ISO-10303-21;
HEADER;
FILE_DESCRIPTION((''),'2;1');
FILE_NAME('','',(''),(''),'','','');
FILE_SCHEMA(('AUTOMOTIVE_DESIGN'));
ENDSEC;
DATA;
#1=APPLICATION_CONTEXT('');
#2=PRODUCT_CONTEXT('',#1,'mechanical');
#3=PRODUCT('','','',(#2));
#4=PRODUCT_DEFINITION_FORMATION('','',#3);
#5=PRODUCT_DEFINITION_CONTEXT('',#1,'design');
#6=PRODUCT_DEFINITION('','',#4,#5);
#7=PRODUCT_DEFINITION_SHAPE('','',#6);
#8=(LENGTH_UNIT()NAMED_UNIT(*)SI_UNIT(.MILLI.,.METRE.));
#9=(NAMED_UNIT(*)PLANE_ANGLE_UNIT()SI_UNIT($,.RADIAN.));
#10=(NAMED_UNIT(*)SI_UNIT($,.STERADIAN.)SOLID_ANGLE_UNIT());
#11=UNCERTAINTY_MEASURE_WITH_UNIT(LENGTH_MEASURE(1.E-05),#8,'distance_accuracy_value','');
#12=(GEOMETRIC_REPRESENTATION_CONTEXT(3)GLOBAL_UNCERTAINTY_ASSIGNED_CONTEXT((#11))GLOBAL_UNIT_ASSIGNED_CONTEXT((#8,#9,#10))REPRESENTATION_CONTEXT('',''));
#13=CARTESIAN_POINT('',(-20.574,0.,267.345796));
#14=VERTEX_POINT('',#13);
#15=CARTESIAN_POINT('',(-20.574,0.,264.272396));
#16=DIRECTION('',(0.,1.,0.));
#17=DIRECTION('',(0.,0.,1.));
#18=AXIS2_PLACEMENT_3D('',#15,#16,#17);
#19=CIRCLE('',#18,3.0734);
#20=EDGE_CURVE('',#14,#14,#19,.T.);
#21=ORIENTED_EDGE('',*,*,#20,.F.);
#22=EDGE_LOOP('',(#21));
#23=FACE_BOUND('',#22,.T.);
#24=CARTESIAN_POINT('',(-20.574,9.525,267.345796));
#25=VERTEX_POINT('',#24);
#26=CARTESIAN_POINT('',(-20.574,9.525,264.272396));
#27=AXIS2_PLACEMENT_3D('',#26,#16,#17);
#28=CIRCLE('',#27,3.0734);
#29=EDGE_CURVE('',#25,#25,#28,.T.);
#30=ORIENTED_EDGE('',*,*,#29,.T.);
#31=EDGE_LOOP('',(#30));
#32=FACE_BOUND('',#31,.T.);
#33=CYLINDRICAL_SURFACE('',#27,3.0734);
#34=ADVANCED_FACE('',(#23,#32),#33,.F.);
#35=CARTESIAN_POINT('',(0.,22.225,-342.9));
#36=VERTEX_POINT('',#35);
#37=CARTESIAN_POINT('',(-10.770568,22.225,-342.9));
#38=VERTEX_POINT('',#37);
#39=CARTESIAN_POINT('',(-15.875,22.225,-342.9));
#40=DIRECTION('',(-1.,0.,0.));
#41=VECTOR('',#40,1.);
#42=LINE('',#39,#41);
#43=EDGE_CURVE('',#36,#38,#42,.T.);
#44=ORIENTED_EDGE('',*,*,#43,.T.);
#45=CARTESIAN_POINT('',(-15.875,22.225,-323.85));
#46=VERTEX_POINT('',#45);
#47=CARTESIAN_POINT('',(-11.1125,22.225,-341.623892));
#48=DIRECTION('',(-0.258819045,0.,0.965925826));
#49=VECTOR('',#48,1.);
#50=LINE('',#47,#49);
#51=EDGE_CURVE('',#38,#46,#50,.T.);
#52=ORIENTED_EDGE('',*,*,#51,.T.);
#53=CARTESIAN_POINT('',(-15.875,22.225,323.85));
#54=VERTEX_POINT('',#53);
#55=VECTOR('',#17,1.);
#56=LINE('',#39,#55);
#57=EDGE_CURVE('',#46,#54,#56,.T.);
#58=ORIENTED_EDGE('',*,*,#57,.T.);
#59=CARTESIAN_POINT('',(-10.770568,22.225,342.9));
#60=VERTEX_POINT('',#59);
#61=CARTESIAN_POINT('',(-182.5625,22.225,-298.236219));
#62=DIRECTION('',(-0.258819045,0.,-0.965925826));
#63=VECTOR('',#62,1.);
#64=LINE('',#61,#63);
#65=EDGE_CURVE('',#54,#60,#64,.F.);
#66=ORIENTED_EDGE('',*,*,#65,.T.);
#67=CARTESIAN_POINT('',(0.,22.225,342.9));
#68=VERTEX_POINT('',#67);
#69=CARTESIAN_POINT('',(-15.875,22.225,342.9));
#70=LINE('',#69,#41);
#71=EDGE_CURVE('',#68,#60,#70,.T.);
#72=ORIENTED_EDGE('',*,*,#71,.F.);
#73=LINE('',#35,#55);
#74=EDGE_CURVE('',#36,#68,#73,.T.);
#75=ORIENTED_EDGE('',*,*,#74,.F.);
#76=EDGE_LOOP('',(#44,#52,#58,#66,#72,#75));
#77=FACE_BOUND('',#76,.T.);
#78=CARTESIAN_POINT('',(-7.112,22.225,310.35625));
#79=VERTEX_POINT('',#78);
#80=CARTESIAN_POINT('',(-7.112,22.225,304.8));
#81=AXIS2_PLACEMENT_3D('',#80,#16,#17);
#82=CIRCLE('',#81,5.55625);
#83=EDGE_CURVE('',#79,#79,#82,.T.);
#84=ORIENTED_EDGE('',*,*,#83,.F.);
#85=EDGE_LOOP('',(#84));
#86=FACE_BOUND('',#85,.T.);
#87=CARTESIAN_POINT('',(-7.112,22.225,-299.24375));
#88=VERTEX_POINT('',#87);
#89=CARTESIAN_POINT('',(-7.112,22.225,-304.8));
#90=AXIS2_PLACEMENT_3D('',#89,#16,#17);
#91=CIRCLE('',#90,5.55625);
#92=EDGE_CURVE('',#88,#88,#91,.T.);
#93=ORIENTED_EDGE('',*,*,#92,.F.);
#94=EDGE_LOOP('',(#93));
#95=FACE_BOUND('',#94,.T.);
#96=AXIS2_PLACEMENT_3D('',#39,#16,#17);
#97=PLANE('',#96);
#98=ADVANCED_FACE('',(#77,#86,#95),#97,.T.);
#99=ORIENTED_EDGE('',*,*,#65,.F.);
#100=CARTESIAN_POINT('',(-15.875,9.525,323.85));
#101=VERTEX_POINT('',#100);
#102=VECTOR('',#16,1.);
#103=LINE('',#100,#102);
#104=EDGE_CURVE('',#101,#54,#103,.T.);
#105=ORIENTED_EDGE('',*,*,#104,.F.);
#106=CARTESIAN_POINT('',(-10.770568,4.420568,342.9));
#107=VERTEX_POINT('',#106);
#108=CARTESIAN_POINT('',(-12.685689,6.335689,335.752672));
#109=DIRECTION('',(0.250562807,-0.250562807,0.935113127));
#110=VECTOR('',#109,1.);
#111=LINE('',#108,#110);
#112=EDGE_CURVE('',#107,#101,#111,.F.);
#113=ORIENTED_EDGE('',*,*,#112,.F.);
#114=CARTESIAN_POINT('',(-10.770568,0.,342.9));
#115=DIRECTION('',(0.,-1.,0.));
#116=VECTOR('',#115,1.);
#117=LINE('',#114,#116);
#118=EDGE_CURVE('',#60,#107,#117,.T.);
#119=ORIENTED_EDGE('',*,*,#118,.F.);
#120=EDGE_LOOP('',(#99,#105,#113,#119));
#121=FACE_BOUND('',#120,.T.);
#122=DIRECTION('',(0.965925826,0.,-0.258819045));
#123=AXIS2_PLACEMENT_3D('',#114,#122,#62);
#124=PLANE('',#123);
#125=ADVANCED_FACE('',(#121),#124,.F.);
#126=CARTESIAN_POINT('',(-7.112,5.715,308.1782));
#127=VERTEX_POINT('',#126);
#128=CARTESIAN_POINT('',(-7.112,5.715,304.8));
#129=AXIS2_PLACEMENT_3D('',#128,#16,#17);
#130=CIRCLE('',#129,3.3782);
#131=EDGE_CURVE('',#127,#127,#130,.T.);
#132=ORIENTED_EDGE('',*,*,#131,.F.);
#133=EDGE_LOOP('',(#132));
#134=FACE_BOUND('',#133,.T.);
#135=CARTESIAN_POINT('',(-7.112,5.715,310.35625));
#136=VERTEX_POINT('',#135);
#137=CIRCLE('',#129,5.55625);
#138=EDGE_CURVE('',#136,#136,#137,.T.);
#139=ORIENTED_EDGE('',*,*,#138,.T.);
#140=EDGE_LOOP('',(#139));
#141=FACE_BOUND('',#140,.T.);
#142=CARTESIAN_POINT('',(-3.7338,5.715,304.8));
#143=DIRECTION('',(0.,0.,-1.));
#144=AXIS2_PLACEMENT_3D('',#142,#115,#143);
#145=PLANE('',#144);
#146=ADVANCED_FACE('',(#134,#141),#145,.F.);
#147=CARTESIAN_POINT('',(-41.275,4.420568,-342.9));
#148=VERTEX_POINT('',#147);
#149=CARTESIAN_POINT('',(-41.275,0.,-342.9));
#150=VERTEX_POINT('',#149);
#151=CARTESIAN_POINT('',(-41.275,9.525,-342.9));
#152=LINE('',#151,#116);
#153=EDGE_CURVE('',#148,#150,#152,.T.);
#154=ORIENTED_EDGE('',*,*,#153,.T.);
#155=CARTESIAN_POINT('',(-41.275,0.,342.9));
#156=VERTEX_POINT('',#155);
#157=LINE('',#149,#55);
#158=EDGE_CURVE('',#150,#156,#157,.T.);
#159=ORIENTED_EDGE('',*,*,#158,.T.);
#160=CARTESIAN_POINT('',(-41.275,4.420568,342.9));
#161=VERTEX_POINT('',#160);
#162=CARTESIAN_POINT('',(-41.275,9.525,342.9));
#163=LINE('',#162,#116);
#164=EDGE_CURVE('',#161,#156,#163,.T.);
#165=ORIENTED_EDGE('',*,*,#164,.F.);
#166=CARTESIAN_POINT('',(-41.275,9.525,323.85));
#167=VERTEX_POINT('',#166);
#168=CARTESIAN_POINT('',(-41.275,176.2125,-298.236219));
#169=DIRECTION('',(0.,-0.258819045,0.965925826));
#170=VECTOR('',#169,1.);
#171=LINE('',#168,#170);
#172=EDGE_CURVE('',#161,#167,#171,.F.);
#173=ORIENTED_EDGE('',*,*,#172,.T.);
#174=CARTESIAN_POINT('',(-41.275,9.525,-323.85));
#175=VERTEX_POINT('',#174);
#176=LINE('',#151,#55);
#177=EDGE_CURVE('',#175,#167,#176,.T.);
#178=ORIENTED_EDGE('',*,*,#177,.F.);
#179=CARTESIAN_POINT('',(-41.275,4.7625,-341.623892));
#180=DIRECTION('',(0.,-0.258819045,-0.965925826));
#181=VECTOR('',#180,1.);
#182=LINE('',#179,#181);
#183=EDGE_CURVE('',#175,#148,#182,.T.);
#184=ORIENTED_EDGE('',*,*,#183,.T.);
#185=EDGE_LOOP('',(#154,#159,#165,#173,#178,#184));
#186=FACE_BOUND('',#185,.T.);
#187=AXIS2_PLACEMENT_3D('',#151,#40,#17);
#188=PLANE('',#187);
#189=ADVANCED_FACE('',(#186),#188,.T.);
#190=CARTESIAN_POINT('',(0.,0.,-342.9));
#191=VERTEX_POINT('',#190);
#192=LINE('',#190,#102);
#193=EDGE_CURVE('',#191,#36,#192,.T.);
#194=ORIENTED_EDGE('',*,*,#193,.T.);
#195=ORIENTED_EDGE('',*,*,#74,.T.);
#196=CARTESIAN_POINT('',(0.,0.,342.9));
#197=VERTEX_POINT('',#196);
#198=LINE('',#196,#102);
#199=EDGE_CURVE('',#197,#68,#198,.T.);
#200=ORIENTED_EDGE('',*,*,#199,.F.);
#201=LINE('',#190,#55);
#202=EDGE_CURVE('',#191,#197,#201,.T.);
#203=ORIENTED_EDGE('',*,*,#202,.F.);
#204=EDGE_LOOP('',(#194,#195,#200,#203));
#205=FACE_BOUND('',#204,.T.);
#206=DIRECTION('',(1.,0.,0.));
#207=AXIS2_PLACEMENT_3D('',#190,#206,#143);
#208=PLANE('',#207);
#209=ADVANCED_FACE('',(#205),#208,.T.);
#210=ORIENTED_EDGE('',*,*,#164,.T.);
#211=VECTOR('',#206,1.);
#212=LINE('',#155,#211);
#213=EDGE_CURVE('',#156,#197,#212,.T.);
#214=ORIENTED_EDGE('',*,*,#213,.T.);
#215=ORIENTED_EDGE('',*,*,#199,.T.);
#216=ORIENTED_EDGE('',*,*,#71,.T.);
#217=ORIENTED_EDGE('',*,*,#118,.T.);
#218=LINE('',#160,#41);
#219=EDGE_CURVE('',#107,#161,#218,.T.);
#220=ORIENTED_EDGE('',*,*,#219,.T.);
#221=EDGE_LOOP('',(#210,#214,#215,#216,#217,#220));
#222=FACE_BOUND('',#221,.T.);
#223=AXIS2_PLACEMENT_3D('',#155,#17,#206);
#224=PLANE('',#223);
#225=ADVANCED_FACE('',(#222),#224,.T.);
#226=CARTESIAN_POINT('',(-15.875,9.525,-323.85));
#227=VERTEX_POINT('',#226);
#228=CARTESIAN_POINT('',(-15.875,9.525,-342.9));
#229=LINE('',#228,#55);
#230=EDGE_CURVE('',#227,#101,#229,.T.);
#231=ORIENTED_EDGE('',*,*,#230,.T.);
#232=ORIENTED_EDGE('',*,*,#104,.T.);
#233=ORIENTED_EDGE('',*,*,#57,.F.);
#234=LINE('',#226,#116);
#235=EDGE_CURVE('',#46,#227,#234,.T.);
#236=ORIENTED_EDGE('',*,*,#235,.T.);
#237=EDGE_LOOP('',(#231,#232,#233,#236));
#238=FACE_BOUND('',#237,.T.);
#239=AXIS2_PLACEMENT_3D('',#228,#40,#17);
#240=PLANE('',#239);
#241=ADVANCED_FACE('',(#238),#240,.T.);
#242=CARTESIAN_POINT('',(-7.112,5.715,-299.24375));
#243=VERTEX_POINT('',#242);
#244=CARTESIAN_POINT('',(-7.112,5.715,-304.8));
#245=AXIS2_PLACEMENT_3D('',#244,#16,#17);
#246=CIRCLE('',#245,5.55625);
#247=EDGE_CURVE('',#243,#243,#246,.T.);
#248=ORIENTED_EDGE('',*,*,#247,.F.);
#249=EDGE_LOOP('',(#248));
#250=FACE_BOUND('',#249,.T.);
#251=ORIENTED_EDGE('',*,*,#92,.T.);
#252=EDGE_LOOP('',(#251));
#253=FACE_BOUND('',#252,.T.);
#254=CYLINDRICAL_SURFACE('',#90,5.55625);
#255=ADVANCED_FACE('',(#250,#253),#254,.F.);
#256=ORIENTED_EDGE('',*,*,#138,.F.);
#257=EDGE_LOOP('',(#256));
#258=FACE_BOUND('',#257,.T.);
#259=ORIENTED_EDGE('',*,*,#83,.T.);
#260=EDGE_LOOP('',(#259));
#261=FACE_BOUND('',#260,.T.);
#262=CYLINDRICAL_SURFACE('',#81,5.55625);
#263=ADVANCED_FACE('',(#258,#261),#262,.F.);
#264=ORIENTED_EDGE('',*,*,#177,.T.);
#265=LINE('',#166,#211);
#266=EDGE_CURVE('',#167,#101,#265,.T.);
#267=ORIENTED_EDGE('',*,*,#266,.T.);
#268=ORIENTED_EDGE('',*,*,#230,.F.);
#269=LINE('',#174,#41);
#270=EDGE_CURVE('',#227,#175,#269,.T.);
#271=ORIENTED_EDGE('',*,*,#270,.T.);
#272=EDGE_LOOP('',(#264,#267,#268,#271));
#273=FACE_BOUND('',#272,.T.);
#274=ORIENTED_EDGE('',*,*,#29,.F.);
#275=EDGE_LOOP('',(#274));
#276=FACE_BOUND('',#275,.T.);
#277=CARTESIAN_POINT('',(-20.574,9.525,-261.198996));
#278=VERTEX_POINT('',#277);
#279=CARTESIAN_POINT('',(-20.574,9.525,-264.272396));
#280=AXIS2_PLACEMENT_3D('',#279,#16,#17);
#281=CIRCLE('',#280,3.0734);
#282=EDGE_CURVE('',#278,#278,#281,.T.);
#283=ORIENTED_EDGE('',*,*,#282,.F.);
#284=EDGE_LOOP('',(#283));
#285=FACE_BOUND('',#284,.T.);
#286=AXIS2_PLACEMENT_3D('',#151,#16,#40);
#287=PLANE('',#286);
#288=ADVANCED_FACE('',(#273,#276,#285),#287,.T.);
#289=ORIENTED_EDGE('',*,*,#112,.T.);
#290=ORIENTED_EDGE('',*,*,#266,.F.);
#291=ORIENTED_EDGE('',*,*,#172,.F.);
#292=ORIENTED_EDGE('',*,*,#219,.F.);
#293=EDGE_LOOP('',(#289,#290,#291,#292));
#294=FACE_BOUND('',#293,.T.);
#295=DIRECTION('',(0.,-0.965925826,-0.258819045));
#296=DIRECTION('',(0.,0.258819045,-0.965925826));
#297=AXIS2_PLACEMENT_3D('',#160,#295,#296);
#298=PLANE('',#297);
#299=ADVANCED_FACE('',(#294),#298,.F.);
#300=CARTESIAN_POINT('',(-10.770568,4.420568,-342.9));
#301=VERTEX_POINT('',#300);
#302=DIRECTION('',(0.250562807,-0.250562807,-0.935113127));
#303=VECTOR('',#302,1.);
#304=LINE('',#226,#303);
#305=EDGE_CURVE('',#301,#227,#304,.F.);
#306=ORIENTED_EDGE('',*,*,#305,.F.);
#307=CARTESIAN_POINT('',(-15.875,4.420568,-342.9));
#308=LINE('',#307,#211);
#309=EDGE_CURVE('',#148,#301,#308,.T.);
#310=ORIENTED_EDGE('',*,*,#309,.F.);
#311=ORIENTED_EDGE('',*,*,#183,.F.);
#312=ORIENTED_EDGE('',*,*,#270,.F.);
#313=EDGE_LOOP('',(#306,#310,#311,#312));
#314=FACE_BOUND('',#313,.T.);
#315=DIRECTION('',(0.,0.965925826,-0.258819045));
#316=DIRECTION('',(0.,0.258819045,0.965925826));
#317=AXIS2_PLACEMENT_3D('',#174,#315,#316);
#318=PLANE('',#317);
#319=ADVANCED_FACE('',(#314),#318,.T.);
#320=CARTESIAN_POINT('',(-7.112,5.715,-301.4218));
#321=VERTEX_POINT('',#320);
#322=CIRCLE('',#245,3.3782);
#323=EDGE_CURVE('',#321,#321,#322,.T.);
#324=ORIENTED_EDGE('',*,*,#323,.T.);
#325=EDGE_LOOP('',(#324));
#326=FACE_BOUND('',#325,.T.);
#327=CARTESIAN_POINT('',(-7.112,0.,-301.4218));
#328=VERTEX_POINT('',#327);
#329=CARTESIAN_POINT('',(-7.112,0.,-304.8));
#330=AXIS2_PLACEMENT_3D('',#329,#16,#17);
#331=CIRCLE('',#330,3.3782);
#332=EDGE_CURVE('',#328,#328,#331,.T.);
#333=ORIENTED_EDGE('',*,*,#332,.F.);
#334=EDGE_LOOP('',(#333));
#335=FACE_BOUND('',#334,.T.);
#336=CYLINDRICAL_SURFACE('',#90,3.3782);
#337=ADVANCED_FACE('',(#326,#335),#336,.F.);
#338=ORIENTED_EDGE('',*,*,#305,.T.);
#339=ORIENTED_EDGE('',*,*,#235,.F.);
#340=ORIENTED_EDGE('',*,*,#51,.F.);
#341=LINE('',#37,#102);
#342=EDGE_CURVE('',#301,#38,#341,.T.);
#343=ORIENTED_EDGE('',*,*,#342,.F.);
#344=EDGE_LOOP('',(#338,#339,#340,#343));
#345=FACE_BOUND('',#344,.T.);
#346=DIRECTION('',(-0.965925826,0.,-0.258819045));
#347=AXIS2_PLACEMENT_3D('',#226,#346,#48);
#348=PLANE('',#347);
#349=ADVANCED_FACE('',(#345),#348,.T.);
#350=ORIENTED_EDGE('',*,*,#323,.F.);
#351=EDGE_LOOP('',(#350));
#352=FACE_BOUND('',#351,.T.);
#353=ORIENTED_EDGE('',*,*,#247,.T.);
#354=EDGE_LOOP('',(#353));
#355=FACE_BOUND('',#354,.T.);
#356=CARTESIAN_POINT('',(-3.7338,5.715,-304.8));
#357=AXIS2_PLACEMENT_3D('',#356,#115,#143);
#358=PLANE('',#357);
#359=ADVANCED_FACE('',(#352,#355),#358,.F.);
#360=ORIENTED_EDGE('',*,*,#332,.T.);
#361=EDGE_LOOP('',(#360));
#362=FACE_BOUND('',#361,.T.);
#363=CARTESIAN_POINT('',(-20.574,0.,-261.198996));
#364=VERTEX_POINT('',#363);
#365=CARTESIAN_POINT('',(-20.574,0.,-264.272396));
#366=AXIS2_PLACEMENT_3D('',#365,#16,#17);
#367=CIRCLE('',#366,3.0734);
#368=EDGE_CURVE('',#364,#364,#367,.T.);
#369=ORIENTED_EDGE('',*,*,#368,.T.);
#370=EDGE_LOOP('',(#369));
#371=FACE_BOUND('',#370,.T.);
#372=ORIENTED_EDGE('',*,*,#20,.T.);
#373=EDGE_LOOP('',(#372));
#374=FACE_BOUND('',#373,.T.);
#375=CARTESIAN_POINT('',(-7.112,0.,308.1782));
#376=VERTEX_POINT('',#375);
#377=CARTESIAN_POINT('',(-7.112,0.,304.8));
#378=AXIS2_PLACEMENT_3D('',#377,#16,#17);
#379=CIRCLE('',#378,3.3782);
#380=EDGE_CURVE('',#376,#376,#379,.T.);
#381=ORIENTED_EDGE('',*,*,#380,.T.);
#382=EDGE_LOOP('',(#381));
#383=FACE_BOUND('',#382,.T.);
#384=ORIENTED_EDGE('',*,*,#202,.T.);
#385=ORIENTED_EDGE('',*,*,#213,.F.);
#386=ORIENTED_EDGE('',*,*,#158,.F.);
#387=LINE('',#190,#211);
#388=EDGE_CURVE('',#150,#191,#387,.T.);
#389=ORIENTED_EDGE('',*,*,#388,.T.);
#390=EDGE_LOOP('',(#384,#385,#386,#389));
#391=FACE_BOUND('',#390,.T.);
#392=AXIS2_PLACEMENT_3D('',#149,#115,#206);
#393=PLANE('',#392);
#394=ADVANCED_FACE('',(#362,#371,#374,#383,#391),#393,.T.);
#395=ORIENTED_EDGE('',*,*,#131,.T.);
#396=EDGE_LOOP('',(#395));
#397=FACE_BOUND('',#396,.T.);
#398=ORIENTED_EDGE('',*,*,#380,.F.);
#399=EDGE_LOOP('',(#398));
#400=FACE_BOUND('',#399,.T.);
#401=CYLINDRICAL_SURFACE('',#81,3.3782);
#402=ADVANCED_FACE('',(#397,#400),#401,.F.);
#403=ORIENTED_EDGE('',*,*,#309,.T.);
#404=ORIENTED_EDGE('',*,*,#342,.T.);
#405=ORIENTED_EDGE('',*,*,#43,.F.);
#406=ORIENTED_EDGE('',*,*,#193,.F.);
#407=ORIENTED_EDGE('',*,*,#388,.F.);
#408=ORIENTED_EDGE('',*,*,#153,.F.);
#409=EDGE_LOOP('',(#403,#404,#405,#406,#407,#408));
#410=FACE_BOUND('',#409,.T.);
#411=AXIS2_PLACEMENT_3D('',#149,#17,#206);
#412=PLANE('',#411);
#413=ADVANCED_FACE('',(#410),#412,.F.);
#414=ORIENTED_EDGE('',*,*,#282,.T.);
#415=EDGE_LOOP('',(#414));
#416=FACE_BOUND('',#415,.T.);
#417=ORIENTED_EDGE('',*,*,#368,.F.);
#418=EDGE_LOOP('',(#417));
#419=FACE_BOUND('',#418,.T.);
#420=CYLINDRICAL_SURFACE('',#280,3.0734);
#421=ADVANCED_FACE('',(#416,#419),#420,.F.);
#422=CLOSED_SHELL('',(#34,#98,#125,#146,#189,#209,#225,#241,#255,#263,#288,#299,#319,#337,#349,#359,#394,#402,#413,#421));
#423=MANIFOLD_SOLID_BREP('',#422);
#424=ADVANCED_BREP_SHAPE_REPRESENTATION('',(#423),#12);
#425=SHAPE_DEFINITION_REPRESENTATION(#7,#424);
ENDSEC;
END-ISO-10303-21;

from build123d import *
from OCP.BRepFilletAPI import BRepFilletAPI_MakeChamfer

# Parameters (mm, degrees)
EXTRUDE1_DEPTH                                   = 342.9
CHAMFER1_SIZE                                    = 19.05
CHAMFER1_SIZE2                                   = 5.104432116
CHAMFER3_SIZE                                    = 19.05
CHAMFER3_SIZE2                                   = 5.104432116
CBORE_FOR_1_4_SOCKET_HEAD_CAP_SCREW1_D           = 6.7564
CBORE_FOR_1_4_SOCKET_HEAD_CAP_SCREW1_CBORE_D     = 11.1125
CBORE_FOR_1_4_SOCKET_HEAD_CAP_SCREW1_CBORE_DEPTH = 16.51
C_0_242_DIAMETER_HOLE1_D                         = 6.1468


with BuildPart() as part:
    # Sketch1 → Extrude1 (new, symmetric)
    with BuildSketch(Plane.XY):
        Polygon((0, 0), (0, 22.225), (-15.875, 22.225), (-15.875, 9.525), (-41.275, 9.525), (-41.275, 0), (-28.448, 0), align=None)
    extrude(amount=EXTRUDE1_DEPTH, both=True)

    # Chamfer1: one chamfer whose edges measure the first distance from different faces: ONE call of the kernel's chamfer builder (chamfer() names one face for all edges)
    chamfer1_edges_1 = [part.edges().sort_by_distance(p)[0] for p in [
        (-28.575, 9.525, 342.9),
    ]]
    chamfer1_side_1 = [part.faces().sort_by_distance(p)[0] for p in [
        (-28.575, 9.525, 0),
    ]]
    chamfer1_edges_2 = [part.edges().sort_by_distance(p)[0] for p in [
        (-15.875, 15.875, 342.9),
    ]]
    chamfer1_side_2 = [part.faces().sort_by_distance(p)[0] for p in [
        (-15.875, 15.875, 0),
    ]]
    chamfer1 = BRepFilletAPI_MakeChamfer(part.part.solid().wrapped)
    for e in chamfer1_edges_1:
        chamfer1.Add(CHAMFER1_SIZE, CHAMFER1_SIZE2, e.wrapped, chamfer1_side_1[0].wrapped)  # the first distance lies on this face
    for e in chamfer1_edges_2:
        chamfer1.Add(CHAMFER1_SIZE, CHAMFER1_SIZE2, e.wrapped, chamfer1_side_2[0].wrapped)  # the first distance lies on this face
    add(Compound.cast(chamfer1.Shape()), mode=Mode.REPLACE)

    # Chamfer3: one chamfer whose edges measure the first distance from different faces: ONE call of the kernel's chamfer builder (chamfer() names one face for all edges)
    chamfer3_edges_1 = [part.edges().sort_by_distance(p)[0] for p in [
        (-15.875, 15.875, -342.9),
    ]]
    chamfer3_side_1 = [part.faces().sort_by_distance(p)[0] for p in [
        (-15.875, 15.875, -9.525),
    ]]
    chamfer3_edges_2 = [part.edges().sort_by_distance(p)[0] for p in [
        (-28.575, 9.525, -342.9),
    ]]
    chamfer3_side_2 = [part.faces().sort_by_distance(p)[0] for p in [
        (-28.575, 9.525, -9.525),
    ]]
    chamfer3 = BRepFilletAPI_MakeChamfer(part.part.solid().wrapped)
    for e in chamfer3_edges_1:
        chamfer3.Add(CHAMFER3_SIZE, CHAMFER3_SIZE2, e.wrapped, chamfer3_side_1[0].wrapped)  # the first distance lies on this face
    for e in chamfer3_edges_2:
        chamfer3.Add(CHAMFER3_SIZE, CHAMFER3_SIZE2, e.wrapped, chamfer3_side_2[0].wrapped)  # the first distance lies on this face
    add(Compound.cast(chamfer3.Shape()), mode=Mode.REPLACE)

    # CBORE for 1/4 Socket Head Cap Screw1 (through all)
    with Locations(Plane(origin=(0, 22.225, 0), x_dir=(-1, 0, 0), z_dir=(0, 1, 0))):
        with Locations((7.112, 304.8), (7.112, -304.8)):
            CounterBoreHole(CBORE_FOR_1_4_SOCKET_HEAD_CAP_SCREW1_D / 2, CBORE_FOR_1_4_SOCKET_HEAD_CAP_SCREW1_CBORE_D / 2, CBORE_FOR_1_4_SOCKET_HEAD_CAP_SCREW1_CBORE_DEPTH)

    # C (0.242) Diameter Hole1 (through all)
    with Locations(Plane(origin=(2.077199123, 9.525, 2.74697932), x_dir=(1, 0, 0), z_dir=(0, 1, 0))):
        with Locations((-22.651199123, -261.52541668), (-22.651199123, 267.01937532)):
            Hole(C_0_242_DIAMETER_HOLE1_D / 2)


solid = part.part
